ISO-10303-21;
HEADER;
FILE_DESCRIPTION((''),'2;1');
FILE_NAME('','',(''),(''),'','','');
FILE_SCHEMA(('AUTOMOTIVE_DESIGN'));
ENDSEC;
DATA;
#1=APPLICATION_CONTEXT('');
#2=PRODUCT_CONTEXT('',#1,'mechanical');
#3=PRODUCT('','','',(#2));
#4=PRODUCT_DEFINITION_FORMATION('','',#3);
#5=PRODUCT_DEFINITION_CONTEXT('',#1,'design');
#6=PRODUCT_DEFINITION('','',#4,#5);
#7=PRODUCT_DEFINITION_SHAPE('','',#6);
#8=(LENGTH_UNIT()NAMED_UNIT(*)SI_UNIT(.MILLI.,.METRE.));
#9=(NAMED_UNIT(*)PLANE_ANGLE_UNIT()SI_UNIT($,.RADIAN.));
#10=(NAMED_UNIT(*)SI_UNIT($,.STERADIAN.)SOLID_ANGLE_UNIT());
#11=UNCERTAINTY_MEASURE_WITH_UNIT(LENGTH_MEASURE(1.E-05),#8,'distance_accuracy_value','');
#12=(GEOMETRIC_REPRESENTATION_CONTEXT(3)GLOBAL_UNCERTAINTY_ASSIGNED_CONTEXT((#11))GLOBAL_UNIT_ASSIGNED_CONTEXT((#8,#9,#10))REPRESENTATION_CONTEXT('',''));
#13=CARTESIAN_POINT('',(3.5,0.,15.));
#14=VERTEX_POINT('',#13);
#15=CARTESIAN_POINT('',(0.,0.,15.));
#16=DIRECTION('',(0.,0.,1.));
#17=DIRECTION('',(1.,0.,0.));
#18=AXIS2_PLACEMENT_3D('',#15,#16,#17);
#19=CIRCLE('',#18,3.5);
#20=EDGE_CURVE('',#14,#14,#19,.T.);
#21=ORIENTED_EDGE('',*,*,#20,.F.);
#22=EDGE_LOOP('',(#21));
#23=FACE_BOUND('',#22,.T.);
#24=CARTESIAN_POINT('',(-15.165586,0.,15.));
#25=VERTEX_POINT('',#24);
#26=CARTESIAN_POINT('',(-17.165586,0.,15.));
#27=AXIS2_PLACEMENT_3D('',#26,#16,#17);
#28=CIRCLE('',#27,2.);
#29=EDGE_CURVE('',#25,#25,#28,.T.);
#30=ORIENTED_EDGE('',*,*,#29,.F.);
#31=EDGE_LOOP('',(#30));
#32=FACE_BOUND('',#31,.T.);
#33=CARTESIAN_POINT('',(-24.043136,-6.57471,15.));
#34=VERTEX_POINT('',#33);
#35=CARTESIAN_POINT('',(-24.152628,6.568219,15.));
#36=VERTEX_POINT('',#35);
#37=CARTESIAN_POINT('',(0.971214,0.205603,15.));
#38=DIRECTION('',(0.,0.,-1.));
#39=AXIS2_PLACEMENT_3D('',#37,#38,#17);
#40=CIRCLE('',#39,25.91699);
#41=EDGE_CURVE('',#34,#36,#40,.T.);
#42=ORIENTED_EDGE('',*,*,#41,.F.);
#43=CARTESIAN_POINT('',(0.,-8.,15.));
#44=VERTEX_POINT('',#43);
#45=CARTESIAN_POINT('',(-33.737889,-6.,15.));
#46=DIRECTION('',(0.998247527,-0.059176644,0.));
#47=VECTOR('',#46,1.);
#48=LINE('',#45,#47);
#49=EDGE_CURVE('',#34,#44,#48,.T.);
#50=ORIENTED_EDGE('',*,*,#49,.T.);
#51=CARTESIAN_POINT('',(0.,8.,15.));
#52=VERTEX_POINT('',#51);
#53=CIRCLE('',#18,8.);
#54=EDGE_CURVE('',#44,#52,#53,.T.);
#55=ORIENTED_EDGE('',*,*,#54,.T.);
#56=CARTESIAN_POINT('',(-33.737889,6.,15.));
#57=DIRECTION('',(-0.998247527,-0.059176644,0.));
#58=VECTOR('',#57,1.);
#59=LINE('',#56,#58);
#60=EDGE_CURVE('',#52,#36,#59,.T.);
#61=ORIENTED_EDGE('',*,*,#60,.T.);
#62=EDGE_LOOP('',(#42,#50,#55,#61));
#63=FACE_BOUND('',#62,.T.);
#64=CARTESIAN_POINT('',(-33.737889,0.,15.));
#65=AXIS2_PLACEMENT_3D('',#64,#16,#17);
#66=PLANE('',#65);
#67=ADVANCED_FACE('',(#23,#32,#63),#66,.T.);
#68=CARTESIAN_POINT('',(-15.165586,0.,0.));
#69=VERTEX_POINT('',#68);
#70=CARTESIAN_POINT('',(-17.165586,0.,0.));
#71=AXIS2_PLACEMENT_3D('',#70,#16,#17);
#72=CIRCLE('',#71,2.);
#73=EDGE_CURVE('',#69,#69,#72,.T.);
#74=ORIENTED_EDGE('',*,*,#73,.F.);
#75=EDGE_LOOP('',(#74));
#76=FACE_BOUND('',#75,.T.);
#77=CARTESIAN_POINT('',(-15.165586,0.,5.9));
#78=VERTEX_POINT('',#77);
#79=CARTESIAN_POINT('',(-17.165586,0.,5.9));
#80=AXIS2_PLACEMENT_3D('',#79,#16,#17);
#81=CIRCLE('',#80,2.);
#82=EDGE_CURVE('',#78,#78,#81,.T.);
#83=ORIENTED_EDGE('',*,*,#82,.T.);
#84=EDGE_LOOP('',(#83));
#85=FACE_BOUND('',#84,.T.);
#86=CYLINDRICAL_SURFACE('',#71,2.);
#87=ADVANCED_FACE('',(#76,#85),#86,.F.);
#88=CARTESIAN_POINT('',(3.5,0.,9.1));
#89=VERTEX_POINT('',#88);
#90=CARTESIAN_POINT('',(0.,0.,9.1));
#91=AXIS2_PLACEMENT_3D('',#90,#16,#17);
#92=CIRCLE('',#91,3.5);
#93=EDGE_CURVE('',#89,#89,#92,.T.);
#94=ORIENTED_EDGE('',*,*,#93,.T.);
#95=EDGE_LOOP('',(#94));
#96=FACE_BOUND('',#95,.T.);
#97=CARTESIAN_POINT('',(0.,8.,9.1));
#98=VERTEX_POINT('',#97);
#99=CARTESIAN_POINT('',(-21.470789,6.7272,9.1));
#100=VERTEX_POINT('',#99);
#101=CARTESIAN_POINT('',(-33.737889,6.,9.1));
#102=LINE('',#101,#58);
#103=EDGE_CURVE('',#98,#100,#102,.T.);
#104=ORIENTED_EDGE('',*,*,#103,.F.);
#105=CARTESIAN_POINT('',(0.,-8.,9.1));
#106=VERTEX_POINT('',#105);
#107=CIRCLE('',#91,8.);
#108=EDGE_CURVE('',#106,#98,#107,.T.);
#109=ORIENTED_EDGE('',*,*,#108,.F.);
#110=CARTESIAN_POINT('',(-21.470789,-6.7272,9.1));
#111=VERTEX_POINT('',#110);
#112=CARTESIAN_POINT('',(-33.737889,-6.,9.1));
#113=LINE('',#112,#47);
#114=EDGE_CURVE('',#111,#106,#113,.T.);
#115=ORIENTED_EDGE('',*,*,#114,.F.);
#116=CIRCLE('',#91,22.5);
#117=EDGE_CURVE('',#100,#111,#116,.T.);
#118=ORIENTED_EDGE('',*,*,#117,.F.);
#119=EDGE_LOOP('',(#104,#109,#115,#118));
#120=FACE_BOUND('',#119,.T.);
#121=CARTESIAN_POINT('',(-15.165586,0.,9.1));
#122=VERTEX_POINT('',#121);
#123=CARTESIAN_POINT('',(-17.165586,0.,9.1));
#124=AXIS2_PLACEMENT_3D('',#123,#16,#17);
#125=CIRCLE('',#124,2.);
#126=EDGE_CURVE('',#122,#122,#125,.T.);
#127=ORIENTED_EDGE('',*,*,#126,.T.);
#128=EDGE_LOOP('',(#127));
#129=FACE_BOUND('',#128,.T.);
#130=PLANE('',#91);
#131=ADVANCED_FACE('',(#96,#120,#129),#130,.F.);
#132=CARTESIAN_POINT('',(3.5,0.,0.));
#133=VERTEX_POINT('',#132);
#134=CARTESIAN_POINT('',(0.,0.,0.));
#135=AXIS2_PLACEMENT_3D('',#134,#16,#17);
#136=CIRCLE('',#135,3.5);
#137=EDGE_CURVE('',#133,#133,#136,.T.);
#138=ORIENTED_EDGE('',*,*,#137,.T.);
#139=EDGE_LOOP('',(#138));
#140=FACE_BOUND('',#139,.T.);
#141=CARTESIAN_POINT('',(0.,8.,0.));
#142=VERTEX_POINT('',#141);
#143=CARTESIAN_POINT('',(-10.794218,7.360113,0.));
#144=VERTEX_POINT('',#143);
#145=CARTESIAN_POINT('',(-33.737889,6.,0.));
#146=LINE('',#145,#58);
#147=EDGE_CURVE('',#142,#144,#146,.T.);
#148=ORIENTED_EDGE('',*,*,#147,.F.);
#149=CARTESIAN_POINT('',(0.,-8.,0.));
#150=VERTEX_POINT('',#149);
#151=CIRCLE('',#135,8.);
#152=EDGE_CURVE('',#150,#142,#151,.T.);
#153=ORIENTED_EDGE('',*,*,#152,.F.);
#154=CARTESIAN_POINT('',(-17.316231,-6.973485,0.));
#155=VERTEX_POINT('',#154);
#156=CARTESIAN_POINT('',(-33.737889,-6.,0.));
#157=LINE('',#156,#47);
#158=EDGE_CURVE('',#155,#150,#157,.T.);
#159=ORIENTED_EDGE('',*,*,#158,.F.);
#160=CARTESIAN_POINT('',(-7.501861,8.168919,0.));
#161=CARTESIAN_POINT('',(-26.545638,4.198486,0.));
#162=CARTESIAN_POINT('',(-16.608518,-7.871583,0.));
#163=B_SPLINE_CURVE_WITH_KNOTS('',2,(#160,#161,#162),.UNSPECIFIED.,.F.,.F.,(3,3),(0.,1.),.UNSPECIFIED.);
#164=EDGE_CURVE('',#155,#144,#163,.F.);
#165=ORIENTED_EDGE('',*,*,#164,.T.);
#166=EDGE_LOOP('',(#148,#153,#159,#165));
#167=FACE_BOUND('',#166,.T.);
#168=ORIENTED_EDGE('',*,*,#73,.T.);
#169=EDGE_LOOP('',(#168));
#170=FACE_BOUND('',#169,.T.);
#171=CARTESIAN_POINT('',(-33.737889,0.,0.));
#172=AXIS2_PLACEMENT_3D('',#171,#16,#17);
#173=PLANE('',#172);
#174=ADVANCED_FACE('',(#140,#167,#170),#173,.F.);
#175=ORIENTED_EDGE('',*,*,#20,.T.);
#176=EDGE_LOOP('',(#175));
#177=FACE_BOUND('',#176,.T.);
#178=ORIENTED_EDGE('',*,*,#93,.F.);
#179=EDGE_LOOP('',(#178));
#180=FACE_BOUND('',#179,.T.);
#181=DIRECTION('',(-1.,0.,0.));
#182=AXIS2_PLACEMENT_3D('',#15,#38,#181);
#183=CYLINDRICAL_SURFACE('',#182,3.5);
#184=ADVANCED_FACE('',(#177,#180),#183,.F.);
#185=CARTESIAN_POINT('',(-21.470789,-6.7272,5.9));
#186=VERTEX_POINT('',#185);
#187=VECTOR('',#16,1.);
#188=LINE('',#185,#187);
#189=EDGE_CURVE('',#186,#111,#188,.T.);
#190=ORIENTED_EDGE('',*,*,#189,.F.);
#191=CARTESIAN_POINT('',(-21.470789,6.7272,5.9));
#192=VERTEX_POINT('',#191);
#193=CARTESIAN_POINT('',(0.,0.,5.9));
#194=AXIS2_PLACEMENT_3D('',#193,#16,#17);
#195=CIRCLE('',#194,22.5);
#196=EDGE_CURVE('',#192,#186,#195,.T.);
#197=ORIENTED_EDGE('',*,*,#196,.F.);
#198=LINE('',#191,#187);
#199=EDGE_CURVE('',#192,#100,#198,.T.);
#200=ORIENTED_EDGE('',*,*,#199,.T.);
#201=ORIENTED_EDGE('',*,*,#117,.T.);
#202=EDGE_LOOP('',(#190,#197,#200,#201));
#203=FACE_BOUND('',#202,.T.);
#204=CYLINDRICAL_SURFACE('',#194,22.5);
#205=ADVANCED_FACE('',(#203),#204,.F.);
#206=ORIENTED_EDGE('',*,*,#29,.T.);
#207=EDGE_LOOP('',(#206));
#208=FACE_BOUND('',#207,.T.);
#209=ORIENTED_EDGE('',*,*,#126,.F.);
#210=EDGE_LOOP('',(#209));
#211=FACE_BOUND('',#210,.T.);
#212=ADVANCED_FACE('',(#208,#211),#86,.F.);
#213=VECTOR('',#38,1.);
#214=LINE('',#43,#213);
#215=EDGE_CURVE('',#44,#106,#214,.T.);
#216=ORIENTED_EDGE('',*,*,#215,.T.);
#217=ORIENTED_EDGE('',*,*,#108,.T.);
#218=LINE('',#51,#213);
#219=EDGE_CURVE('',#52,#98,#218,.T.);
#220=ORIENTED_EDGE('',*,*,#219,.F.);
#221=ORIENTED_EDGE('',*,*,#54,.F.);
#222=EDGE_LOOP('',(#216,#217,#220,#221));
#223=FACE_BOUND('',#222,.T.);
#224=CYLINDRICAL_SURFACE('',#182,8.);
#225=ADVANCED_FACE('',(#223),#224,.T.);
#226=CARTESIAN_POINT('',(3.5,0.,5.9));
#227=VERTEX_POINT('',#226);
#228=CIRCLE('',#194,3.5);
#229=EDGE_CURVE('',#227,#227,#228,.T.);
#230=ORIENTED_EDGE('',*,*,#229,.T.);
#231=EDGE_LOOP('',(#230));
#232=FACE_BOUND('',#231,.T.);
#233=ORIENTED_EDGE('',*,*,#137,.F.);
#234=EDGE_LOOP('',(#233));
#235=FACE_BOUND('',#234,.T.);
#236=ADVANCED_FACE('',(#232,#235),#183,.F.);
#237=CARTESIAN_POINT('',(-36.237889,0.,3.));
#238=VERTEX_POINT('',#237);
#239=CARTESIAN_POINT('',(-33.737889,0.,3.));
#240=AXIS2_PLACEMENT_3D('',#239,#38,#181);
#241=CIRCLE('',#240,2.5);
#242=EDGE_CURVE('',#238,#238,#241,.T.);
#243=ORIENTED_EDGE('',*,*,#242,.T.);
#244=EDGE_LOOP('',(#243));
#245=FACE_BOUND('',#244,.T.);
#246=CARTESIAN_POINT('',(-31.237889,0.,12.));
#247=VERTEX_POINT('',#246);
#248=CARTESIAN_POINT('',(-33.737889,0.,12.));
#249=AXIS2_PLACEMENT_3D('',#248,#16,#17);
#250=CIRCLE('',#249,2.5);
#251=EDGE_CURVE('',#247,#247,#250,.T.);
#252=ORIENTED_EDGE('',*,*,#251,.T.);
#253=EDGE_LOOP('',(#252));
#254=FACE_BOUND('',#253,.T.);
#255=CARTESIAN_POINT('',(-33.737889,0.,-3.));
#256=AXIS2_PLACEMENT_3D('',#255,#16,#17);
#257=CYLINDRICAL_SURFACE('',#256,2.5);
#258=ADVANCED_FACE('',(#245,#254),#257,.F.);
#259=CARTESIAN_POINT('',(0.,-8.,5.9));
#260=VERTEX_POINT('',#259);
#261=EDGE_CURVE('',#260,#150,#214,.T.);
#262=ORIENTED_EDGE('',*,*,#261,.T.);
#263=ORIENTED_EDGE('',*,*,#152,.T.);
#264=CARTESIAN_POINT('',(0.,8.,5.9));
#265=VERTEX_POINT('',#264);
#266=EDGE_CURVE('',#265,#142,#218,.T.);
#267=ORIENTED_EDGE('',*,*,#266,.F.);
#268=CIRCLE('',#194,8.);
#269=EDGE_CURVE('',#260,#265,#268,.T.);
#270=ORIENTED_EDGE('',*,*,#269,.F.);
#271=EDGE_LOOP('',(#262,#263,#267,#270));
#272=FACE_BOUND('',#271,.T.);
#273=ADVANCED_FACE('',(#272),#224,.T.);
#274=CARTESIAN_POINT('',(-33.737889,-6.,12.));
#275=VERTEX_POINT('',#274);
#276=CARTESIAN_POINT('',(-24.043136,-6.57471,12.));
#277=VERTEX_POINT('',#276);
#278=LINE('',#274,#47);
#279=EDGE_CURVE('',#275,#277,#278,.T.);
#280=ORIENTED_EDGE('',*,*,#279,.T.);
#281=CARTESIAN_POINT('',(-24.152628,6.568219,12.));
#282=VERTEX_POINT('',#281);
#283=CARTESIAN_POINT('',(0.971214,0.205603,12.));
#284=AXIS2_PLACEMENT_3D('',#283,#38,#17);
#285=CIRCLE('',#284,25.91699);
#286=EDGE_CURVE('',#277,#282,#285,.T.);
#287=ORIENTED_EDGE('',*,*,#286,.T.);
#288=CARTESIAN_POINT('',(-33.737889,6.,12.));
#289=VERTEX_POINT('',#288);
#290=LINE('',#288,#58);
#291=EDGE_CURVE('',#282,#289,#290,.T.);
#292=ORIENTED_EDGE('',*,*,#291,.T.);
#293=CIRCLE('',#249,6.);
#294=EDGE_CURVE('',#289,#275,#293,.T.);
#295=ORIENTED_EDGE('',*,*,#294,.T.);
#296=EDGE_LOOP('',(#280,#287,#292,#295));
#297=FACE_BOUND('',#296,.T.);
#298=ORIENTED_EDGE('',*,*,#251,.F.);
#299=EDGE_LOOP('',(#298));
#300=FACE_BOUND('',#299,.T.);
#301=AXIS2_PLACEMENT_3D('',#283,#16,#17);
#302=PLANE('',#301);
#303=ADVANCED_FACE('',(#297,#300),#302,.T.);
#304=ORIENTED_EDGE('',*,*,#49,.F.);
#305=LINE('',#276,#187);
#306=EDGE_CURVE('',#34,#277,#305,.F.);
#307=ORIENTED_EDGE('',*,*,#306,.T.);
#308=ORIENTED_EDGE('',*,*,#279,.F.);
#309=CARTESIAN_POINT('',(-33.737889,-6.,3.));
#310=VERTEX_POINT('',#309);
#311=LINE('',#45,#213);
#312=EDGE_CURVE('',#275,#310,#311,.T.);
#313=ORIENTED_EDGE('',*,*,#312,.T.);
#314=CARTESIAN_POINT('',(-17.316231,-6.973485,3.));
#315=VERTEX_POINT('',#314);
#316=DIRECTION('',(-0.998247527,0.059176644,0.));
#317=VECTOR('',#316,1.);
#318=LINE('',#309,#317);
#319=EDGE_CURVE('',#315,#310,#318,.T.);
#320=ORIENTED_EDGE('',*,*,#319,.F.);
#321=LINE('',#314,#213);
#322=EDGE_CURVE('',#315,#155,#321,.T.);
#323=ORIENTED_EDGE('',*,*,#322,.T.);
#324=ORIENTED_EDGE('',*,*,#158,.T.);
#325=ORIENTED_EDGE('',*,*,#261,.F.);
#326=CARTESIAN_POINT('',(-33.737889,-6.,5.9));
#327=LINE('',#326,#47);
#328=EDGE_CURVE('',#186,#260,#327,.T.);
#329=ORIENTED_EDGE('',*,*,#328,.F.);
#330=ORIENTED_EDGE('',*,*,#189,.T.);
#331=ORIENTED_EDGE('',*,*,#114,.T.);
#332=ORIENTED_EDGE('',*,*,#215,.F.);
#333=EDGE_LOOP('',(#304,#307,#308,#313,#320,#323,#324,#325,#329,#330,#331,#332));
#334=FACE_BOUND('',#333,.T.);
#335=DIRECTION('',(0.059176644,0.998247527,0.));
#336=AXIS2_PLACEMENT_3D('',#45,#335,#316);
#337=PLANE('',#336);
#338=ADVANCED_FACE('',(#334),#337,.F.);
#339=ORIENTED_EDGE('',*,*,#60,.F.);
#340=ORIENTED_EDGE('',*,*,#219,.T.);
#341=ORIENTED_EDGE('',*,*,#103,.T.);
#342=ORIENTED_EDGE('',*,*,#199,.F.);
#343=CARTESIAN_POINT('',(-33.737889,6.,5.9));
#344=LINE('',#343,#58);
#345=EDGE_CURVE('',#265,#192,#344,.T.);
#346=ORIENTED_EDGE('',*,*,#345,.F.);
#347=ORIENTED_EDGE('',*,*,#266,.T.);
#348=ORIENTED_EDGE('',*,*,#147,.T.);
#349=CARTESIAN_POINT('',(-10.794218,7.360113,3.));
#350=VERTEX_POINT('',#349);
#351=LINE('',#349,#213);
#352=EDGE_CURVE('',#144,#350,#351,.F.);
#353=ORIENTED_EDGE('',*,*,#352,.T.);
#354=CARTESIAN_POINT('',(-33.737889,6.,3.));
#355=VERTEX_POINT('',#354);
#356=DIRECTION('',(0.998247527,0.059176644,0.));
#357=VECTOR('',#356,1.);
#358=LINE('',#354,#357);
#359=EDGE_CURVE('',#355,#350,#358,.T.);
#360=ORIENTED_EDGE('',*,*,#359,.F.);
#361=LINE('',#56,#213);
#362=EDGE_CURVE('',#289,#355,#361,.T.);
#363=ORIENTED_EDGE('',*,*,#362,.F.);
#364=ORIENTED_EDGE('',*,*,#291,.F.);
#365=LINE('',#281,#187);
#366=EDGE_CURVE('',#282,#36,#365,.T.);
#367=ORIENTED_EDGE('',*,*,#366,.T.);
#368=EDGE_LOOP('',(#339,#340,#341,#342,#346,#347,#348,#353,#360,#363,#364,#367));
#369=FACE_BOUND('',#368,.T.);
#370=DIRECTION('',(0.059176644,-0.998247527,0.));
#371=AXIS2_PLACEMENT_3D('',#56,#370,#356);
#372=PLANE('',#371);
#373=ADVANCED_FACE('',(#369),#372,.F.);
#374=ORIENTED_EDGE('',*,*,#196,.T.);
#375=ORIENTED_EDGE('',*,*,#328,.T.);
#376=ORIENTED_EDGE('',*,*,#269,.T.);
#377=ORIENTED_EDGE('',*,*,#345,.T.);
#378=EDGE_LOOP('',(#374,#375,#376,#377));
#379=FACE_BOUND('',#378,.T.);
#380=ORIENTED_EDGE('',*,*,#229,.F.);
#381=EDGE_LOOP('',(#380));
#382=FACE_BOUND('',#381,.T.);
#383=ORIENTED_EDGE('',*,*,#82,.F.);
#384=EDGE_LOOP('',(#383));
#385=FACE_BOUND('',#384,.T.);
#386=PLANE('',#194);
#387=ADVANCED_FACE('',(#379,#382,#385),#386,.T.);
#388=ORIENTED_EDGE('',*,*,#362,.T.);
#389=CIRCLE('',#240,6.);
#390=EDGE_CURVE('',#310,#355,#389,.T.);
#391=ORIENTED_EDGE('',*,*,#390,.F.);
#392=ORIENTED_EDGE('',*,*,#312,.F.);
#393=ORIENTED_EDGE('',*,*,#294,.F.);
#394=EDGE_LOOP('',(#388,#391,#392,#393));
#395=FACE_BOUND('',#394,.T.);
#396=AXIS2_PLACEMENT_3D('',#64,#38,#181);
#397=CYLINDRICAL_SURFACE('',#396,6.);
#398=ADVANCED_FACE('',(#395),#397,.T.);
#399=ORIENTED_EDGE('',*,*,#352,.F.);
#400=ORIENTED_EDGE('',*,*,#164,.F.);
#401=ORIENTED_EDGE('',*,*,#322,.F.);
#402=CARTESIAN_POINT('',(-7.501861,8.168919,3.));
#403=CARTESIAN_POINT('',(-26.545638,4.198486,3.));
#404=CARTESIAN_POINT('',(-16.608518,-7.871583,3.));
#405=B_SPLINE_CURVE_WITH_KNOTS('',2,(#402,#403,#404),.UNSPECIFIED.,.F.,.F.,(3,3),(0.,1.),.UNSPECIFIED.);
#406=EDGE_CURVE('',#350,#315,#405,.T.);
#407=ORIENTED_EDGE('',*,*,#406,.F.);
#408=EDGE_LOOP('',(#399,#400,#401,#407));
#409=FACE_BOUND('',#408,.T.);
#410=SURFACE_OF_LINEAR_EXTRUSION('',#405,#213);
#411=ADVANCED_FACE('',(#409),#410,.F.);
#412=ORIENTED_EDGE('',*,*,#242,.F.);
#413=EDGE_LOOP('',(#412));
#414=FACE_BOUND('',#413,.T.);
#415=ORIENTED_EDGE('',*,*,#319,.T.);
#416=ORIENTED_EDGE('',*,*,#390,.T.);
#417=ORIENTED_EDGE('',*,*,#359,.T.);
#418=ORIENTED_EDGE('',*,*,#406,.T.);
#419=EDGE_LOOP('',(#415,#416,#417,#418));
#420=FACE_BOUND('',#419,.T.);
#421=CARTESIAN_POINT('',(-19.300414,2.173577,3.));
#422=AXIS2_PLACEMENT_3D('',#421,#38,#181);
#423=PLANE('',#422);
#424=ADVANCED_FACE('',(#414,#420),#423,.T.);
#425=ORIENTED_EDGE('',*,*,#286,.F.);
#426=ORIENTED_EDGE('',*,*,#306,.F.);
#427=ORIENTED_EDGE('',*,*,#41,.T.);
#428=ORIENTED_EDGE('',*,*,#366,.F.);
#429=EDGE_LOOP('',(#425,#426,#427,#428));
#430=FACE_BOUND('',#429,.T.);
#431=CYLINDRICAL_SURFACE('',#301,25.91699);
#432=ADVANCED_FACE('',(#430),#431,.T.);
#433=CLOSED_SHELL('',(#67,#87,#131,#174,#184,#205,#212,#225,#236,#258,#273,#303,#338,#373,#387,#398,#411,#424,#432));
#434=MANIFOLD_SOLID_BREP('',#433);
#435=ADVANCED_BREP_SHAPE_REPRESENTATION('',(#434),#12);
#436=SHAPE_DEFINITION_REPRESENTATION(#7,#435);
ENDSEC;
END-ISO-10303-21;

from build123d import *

# Parameters (mm, degrees)
SKETCH_1_R          = 3.5
EXTRUDE_1_DEPTH     = 15
CUT_EXTRUDE_1_DEPTH = 3.2
CUT_EXTRUDE_2_DEPTH = 3
CUT_EXTRUDE_3_DEPTH = 3
SKETCH_5_R          = 2.5
CUT_EXTRUDE_4_DEPTH = 15
SKETCH_6_R          = 2
CUT_EXTRUDE_5_DEPTH = 15


with BuildPart() as part:
    # Эскиз1 → Вытянуть1 (new body)
    with BuildSketch(Plane.XY):
        with BuildLine():
            Line((-33.737889323, 6), (0, 8))
            ThreePointArc((0, 8), (8, 0), (0, -8))
            Line((0, -8), (-33.737889323, -6))
            ThreePointArc((-33.737889323, -6), (-39.737889323, 0), (-33.737889323, 6))
        make_face()
        Circle(SKETCH_1_R, mode=Mode.SUBTRACT)
    extrude(amount=EXTRUDE_1_DEPTH)

    # Эскиз2 → Вырез-Вытянуть1 (cut)
    with BuildSketch(Plane.XY.offset(9.1)):
        with BuildLine():
            Line((-21.470788926, 6.727200228), (-0.649375953, 7.973600872))
            Line((-0.649375953, 7.973600872), (-0.649375953, 12.464774984))
            Line((-0.649375953, 12.464774984), (11.53167748, 12.464774984))
            Line((11.53167748, 12.464774984), (11.53167748, -11.583586667))
            Line((11.53167748, -11.583586667), (-0.649375953, -11.583586667))
            Line((-0.649375953, -11.583586667), (-0.649375953, -7.973600872))
            Line((-0.649375953, -7.973600872), (-21.470788926, -6.727200228))
            ThreePointArc((-21.470788926, -6.727200228), (-22.5, 0), (-21.470788926, 6.727200228))
        make_face()
    extrude(amount=-CUT_EXTRUDE_1_DEPTH, mode=Mode.SUBTRACT)

    # Эскиз3 → Вырез-Вытянуть2 (cut)
    with BuildSketch(Plane.XY.offset(15)):
        with BuildLine():
            Line((-58.585224431, 9.320685439), (-23.289981774, 9.320685439))
            ThreePointArc((-23.289981774, 9.320685439), (-24.945775434, 0.205603355), (-23.289981774, -8.909478729))
            Line((-23.289981774, -8.909478729), (-58.585224431, -8.909478729))
            Line((-58.585224431, -8.909478729), (-58.585224431, 9.320685439))
        make_face()
    extrude(amount=-CUT_EXTRUDE_2_DEPTH, mode=Mode.SUBTRACT)

    # Эскиз4 → Вырез-Вытянуть3 (cut)
    with BuildSketch(Plane(origin=(0, 0, 0), x_dir=(-1, 0, 0), z_dir=(0, 0, -1))):
        with BuildLine():
            Line((7.501860508, 8.168918957), (7.501860508, 9.225490058))
            Line((7.501860508, 9.225490058), (56.423561983, 9.225490058))
            Line((56.423561983, 9.225490058), (56.423561983, -10.745771297))
            Line((56.423561983, -10.745771297), (16.608517708, -10.745771297))
            Line((16.608517708, -10.745771297), (16.608517708, -7.871583169))
            add(Edge.make_bspline(
                [(7.501860508, 8.168918957), (26.545638359, 4.198485706), (16.608517708, -7.871583169)],
                knots=[0, 0, 0, 1, 1, 1], degree=2))
        make_face()
    extrude(amount=-CUT_EXTRUDE_3_DEPTH, mode=Mode.SUBTRACT)

    # Эскиз5 → Вырез-Вытянуть4 (cut)
    with BuildSketch(Plane.XY.offset(12)):
        with Locations((-33.737889323, 0)):
            Circle(SKETCH_5_R)
    extrude(amount=-CUT_EXTRUDE_4_DEPTH, mode=Mode.SUBTRACT)

    # Эскиз6 → Вырез-Вытянуть5 (cut)
    with BuildSketch(Plane.XY.offset(15)):
        with Locations((-17.165585922, 0)):
            Circle(SKETCH_6_R)
    extrude(amount=-CUT_EXTRUDE_5_DEPTH, mode=Mode.SUBTRACT)


solid = part.part
